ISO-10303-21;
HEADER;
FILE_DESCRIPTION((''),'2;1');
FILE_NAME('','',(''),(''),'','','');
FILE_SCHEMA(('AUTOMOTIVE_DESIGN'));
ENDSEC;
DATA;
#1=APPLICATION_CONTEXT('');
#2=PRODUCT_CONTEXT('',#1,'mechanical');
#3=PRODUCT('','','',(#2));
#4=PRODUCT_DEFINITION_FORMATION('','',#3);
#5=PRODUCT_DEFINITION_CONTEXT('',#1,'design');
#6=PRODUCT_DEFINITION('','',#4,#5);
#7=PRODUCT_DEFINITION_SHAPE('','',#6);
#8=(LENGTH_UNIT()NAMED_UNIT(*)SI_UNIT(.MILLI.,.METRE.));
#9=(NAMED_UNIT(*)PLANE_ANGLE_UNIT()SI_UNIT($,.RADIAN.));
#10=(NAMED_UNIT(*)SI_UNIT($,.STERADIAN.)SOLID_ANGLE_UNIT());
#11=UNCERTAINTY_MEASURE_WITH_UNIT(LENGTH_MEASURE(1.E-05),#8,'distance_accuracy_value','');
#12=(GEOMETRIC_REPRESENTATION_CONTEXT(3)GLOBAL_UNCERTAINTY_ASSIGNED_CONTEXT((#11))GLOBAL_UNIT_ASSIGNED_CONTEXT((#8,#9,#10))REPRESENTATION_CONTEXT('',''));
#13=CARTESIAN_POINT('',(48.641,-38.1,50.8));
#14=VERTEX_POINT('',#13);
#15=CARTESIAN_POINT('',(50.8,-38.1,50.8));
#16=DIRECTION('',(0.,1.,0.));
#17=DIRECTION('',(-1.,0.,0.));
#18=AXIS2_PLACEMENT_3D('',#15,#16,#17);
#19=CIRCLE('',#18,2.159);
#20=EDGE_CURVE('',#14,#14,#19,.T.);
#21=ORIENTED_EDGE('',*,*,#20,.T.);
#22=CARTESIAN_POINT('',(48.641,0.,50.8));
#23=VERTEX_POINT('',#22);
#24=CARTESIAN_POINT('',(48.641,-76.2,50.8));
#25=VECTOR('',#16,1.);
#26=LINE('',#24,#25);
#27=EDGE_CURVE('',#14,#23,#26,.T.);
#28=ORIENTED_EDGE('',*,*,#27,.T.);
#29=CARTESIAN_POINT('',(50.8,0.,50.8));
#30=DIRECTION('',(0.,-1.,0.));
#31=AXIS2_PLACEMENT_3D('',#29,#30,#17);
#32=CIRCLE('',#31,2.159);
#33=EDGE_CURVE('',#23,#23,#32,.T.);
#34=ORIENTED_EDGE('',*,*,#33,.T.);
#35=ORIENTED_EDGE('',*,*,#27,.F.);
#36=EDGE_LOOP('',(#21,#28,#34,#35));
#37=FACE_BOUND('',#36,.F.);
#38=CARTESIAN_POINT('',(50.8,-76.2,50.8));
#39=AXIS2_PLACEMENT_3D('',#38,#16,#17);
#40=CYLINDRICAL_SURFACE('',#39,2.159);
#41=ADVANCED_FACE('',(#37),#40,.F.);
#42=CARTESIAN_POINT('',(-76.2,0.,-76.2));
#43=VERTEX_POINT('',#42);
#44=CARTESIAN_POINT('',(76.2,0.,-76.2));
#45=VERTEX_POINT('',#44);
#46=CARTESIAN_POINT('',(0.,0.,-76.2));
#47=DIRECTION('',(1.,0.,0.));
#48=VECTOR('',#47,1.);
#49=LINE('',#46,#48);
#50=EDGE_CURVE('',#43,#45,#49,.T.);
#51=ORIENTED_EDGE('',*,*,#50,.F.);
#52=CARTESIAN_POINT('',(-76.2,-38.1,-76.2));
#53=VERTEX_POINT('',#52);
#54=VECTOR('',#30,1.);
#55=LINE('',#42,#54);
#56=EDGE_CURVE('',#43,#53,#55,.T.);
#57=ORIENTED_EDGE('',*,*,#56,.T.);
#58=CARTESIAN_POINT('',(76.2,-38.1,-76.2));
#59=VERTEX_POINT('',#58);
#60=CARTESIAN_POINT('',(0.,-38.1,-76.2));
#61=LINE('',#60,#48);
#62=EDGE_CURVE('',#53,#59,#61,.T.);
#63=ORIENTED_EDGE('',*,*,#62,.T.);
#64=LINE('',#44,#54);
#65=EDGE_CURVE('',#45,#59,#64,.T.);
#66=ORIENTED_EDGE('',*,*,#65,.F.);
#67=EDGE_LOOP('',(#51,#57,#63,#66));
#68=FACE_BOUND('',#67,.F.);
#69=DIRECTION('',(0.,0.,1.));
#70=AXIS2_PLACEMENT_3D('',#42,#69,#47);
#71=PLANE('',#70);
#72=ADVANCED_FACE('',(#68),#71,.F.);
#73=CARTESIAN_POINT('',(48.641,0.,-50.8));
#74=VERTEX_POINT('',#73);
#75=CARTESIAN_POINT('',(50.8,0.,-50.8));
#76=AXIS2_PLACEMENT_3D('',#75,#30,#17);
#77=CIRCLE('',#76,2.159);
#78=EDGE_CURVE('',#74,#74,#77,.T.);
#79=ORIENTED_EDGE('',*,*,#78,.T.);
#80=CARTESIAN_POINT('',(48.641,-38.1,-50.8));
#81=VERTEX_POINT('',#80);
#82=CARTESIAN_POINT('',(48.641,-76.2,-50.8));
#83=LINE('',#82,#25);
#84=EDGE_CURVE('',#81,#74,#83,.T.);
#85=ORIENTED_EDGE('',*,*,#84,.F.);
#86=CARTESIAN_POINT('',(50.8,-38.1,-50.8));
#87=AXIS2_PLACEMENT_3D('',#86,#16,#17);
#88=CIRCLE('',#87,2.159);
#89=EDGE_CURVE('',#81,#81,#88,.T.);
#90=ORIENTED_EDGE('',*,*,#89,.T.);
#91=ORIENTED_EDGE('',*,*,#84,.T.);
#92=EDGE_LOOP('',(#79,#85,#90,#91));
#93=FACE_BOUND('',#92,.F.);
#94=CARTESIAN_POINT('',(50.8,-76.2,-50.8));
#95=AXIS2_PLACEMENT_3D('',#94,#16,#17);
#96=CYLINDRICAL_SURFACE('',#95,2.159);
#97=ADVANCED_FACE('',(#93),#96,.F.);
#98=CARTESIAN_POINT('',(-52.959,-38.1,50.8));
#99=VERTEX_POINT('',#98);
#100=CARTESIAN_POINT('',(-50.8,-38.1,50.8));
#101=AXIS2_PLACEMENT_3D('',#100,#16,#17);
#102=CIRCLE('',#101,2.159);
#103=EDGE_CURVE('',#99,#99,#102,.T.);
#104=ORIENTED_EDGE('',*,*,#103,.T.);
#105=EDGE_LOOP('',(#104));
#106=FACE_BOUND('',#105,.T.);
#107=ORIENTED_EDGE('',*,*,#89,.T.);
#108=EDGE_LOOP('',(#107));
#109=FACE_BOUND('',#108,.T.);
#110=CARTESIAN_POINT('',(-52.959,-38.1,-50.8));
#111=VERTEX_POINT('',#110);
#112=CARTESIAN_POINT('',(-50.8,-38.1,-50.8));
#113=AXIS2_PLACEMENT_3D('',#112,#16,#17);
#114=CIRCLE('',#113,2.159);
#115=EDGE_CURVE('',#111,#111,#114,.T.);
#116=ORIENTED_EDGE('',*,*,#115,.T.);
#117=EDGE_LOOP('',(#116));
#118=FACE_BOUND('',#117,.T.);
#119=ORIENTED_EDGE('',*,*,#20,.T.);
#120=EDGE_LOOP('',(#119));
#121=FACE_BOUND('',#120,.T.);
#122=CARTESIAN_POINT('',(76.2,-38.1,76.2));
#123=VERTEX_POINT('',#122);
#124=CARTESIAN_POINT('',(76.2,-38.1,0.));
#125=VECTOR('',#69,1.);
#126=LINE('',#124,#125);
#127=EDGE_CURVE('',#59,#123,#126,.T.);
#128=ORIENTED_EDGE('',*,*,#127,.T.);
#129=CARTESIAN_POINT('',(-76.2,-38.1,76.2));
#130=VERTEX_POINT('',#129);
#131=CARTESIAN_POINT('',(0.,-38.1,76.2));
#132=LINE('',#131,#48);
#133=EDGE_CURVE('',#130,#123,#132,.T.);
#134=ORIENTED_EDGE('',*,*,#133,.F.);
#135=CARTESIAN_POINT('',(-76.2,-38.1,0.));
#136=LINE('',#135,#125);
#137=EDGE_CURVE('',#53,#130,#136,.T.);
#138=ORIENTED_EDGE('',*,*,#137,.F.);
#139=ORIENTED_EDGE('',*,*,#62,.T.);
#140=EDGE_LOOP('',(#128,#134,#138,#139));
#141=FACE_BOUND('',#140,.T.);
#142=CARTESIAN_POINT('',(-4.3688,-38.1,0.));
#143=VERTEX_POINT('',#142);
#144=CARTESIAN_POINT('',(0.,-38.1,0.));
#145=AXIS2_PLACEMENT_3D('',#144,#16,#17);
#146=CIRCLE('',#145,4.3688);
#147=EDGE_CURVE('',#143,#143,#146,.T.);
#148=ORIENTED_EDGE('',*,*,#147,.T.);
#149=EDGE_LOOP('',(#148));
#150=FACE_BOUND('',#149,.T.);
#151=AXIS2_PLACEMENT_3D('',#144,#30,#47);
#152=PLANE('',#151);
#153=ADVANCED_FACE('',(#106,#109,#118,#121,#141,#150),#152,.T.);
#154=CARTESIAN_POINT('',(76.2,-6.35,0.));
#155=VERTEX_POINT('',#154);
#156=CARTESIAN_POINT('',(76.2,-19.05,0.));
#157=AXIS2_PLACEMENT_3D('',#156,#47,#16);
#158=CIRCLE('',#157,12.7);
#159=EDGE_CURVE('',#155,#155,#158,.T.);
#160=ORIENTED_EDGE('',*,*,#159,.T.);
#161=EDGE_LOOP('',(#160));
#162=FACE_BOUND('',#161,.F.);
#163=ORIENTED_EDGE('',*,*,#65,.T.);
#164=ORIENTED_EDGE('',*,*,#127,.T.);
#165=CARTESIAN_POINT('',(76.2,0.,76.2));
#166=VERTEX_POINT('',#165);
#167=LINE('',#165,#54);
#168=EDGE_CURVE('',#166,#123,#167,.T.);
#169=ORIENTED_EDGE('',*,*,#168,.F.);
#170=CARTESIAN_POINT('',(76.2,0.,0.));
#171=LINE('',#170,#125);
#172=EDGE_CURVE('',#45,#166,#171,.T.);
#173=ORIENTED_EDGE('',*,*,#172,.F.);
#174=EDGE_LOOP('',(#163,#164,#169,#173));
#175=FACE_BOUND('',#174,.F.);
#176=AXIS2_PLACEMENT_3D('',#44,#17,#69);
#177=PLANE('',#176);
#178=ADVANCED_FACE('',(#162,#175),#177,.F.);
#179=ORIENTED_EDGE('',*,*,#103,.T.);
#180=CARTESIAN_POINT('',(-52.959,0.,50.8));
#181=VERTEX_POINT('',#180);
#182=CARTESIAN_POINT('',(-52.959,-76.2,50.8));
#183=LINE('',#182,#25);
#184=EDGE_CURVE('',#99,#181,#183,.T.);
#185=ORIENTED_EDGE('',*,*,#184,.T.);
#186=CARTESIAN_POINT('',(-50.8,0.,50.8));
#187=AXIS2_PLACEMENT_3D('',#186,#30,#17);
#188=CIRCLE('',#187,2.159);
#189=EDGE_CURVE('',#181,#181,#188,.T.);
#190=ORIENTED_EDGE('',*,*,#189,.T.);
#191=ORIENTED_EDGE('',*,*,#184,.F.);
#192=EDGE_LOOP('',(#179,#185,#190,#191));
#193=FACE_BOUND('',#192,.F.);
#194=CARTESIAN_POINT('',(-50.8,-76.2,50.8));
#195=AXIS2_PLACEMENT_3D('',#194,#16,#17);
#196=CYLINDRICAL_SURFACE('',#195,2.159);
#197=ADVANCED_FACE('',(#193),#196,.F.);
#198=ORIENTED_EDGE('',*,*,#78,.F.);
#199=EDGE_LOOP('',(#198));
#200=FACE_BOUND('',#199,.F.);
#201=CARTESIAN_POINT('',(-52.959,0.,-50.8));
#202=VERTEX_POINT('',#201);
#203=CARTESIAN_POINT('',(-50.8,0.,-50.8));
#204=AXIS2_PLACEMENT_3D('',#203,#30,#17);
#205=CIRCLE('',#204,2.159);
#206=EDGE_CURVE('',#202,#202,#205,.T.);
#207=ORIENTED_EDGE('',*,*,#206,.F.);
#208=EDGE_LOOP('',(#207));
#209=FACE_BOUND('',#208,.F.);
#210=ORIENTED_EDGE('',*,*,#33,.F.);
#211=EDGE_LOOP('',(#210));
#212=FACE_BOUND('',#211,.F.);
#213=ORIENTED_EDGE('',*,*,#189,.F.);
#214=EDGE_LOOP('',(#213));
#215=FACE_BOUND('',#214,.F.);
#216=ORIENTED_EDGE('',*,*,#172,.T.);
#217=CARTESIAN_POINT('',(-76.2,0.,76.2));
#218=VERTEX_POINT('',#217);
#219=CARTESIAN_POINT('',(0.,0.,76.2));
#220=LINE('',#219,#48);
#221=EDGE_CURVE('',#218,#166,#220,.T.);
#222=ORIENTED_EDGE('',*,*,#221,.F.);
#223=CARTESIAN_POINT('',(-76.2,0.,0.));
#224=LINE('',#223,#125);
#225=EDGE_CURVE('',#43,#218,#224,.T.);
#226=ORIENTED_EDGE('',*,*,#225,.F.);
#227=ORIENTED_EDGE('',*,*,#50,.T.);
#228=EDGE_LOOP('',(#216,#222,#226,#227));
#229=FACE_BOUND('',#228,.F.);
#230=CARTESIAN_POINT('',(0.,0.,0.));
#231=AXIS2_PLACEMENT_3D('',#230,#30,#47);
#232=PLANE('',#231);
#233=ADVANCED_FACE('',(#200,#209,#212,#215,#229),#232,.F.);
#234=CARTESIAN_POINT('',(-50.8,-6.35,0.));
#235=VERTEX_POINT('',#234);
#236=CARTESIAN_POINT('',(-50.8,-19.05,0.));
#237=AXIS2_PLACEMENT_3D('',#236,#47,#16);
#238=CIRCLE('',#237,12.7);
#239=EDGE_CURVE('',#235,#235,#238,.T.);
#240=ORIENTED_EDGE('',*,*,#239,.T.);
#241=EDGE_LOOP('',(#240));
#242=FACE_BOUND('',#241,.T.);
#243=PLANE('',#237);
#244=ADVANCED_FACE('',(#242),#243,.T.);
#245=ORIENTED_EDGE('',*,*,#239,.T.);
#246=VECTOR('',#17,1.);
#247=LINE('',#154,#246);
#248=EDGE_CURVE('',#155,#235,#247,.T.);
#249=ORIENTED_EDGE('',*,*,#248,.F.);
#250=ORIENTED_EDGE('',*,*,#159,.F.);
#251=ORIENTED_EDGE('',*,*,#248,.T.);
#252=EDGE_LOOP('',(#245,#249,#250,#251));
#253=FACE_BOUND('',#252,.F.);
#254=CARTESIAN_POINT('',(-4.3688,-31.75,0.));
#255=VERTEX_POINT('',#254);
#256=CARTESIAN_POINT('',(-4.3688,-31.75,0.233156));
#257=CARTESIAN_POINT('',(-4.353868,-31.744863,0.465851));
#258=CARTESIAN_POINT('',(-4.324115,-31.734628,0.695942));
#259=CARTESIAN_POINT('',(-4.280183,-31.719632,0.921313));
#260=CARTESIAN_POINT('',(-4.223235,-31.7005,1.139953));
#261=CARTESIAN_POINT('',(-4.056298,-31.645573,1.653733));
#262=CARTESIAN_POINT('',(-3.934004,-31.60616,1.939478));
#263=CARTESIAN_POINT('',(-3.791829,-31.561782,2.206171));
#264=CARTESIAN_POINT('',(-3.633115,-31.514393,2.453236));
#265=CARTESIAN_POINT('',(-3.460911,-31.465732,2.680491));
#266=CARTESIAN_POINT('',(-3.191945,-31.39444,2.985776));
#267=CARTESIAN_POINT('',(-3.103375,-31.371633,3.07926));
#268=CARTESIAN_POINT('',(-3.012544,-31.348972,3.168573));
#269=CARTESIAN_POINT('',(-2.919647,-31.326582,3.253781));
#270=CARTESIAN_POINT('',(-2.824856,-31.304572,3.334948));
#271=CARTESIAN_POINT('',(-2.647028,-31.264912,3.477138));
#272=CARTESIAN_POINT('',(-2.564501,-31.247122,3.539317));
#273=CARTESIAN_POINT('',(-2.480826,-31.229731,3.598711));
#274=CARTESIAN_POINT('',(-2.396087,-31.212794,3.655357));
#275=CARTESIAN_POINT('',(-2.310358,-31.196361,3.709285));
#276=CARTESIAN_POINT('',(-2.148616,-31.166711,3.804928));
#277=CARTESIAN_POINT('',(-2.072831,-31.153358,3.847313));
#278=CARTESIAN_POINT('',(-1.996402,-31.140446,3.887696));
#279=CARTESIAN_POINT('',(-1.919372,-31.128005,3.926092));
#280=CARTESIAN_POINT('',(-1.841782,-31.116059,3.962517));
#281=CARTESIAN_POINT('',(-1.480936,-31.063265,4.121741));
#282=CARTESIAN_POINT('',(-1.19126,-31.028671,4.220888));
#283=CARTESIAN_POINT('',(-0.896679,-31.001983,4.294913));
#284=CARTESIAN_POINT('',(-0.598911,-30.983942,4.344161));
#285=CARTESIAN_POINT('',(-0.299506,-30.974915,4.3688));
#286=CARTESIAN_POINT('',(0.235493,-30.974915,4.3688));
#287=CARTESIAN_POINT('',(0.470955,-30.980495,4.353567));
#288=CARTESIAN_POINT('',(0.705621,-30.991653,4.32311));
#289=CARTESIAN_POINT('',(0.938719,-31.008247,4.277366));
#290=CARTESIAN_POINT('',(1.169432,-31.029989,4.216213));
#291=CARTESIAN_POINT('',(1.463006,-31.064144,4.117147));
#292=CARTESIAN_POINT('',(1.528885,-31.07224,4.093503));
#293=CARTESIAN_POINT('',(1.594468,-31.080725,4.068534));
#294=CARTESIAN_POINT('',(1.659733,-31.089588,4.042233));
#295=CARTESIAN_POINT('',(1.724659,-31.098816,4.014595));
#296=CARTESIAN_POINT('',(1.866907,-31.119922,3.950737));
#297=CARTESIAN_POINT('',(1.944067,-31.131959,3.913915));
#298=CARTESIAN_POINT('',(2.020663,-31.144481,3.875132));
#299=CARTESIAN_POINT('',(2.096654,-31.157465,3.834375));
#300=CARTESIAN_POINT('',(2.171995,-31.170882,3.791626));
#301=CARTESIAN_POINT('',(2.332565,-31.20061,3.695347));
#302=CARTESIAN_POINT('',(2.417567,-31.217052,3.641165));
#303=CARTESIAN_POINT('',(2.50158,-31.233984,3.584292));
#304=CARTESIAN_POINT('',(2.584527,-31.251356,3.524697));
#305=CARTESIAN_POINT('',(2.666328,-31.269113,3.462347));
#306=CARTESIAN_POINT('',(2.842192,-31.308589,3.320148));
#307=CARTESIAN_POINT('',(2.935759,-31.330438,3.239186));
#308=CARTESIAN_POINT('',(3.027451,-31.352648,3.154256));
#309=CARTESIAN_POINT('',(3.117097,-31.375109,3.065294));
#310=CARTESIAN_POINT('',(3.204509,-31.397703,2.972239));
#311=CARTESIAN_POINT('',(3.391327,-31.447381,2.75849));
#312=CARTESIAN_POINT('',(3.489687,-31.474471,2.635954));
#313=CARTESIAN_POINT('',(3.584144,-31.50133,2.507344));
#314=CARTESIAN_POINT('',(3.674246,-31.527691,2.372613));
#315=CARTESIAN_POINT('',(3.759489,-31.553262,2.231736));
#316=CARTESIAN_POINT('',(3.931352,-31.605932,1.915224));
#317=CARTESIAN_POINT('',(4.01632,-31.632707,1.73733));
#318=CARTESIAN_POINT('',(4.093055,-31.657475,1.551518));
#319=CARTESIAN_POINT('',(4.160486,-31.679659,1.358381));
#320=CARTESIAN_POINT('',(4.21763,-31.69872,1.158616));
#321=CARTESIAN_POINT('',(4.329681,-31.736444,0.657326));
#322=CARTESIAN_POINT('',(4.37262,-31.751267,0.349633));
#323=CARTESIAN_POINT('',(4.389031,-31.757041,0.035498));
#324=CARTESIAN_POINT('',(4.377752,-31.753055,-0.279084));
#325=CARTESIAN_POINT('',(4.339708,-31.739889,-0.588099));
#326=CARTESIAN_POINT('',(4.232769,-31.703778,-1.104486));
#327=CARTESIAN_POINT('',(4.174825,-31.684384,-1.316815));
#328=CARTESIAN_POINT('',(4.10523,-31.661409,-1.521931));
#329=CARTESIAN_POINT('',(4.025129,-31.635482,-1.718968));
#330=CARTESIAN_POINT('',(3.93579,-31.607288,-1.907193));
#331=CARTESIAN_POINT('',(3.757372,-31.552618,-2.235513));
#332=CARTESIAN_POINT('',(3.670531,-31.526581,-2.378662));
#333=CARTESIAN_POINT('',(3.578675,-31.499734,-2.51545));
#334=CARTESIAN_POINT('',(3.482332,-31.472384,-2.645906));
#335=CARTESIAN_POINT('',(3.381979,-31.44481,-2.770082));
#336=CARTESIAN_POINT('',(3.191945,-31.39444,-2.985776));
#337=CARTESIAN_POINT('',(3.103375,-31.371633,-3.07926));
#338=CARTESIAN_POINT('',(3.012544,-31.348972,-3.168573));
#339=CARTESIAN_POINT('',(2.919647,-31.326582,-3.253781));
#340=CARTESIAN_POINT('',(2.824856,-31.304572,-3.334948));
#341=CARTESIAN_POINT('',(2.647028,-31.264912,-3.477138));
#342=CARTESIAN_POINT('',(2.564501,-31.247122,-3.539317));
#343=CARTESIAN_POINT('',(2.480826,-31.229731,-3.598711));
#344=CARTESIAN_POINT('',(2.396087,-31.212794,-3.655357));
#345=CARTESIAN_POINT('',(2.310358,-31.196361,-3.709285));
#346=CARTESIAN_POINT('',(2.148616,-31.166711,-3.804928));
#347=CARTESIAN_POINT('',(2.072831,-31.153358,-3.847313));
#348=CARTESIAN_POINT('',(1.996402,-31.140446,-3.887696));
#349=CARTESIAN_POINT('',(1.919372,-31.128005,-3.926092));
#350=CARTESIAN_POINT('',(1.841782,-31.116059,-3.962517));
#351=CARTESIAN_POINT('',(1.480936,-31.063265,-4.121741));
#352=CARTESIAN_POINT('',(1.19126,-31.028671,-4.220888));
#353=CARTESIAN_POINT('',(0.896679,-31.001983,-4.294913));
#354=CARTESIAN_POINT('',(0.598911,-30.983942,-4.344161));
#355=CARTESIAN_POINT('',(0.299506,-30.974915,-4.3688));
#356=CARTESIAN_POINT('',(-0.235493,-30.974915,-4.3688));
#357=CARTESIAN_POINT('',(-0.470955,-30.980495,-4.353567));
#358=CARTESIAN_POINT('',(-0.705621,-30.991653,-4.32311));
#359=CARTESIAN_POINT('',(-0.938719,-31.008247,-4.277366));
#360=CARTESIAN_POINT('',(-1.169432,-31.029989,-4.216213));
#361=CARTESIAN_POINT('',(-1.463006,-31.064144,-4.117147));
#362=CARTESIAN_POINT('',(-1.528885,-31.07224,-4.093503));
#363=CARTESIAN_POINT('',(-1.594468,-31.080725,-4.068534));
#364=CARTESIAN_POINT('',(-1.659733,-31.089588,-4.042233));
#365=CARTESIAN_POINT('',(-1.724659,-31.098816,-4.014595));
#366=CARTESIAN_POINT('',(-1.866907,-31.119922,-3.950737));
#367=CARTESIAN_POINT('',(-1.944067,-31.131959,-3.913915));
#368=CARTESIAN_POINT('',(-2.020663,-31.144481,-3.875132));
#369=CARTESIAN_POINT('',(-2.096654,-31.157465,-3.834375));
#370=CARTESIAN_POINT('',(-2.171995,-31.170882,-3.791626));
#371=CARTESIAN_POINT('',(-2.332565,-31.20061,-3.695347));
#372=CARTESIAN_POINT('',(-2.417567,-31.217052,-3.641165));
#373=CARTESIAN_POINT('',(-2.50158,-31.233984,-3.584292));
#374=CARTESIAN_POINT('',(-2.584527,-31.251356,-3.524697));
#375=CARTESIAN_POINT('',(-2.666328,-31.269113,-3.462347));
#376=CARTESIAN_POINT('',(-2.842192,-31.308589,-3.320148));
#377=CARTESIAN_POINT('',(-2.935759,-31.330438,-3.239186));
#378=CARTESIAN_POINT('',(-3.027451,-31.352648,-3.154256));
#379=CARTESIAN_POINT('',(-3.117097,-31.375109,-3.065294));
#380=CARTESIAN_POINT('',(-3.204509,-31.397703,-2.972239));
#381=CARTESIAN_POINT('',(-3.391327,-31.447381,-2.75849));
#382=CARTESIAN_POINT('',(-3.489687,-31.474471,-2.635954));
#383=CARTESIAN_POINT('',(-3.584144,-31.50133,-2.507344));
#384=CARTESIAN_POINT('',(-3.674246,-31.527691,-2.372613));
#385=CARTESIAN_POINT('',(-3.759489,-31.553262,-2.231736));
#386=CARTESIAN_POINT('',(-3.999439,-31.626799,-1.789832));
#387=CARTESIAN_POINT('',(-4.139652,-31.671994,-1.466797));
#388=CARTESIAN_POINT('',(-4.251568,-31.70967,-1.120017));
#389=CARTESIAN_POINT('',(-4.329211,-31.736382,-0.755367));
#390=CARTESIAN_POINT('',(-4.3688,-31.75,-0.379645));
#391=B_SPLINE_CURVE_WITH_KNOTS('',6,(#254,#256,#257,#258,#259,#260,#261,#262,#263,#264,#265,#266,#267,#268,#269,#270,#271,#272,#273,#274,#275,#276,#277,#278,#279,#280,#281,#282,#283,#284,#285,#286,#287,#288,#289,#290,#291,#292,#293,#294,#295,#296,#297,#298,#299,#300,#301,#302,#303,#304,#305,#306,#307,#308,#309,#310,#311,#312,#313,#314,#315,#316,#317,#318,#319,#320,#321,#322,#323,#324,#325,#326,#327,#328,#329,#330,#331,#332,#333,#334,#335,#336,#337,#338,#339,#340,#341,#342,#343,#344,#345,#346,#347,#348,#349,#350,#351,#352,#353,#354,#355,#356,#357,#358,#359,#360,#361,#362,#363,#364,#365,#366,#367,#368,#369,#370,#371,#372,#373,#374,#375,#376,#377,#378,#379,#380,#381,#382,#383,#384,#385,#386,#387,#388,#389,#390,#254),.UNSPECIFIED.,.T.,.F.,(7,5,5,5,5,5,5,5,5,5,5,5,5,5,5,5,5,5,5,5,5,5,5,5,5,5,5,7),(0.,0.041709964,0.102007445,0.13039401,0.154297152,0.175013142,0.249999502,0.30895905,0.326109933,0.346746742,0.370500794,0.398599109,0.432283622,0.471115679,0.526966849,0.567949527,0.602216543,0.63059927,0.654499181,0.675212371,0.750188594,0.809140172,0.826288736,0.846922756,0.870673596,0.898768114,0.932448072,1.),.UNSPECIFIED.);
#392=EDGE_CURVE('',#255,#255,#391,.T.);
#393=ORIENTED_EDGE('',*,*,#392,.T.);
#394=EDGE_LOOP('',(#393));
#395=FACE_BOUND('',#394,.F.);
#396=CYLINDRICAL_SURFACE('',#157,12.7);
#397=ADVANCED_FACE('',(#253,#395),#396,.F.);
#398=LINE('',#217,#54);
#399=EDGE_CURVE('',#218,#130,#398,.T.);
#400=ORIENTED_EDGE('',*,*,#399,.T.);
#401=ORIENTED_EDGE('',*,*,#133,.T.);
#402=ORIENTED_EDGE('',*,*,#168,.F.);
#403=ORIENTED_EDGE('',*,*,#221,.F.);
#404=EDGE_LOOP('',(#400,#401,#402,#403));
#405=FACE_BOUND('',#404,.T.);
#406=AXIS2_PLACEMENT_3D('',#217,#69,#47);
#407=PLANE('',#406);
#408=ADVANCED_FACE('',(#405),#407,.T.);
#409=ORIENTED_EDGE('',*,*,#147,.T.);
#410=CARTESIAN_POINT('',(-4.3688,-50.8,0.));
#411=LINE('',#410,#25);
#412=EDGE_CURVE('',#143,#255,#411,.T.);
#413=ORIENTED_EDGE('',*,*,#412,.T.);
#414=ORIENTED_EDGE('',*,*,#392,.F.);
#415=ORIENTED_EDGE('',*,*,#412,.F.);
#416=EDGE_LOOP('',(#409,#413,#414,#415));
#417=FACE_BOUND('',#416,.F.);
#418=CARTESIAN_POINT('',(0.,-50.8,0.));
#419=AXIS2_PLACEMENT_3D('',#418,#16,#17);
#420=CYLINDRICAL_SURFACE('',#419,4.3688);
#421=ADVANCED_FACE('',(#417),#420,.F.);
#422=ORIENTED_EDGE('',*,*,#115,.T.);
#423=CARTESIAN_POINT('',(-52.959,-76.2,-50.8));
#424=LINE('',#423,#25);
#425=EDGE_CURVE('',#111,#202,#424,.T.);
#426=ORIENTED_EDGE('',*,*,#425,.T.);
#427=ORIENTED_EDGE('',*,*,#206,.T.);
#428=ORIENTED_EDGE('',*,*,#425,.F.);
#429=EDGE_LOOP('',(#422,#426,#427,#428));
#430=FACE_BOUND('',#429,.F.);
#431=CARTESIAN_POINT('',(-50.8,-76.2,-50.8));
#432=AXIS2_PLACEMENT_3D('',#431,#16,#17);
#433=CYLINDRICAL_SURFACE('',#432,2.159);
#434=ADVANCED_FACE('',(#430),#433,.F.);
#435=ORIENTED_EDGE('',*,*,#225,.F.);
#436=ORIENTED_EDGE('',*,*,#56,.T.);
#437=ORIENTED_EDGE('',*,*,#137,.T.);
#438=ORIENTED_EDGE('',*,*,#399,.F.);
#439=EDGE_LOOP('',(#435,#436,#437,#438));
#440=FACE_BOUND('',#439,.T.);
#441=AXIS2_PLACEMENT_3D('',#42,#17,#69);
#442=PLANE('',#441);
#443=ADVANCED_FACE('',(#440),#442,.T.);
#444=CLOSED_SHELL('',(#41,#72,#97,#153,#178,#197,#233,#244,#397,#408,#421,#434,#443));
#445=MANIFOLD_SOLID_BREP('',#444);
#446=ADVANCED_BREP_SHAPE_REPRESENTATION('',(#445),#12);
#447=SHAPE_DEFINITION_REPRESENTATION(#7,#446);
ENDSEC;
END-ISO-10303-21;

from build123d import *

# Parameters (mm, degrees)
F0_W     = 152.4
F0_H     = 152.4
F1_DEPTH = 38.1
F4_D     = 8.7376
F4_DEPTH = 12.7
F4_TIP   = 2.6250398724
F2_R     = 12.7
F5_DEPTH = 127
F7_D     = 4.318
F7_DEPTH = 38.1
F7_TIP   = 1.2972580765


with BuildPart() as f1:
    # F0 (on Front) → F1 (new body)
    with BuildSketch(Plane.XZ):
        Rectangle(F0_W, F0_H)
    extrude(amount=F1_DEPTH)

    # F4
    with Locations(Plane.XZ.offset(38.1)):
        with Locations((0, 0)):
            Hole(F4_D / 2, depth=F4_DEPTH)
            with Locations((0, 0, -(F4_DEPTH + F4_TIP / 2))):  # 118° drill point
                Cone(0, F4_D / 2, F4_TIP, mode=Mode.SUBTRACT)

    # F2 (on face) → F5 (cut)
    with BuildSketch(Plane.YZ.offset(76.2)):
        with Locations((-19.05, 0)):
            Circle(F2_R)
    extrude(amount=-F5_DEPTH, mode=Mode.SUBTRACT)

    # F7
    with Locations(Plane.XZ.offset(38.1)):
        with Locations((-50.8, 50.8), (50.8, 50.8), (-50.8, -50.8), (50.8, -50.8)):
            Hole(F7_D / 2, depth=F7_DEPTH)
            with Locations((0, 0, -(F7_DEPTH + F7_TIP / 2))):  # 118° drill point
                Cone(0, F7_D / 2, F7_TIP, mode=Mode.SUBTRACT)


solid = f1.part
